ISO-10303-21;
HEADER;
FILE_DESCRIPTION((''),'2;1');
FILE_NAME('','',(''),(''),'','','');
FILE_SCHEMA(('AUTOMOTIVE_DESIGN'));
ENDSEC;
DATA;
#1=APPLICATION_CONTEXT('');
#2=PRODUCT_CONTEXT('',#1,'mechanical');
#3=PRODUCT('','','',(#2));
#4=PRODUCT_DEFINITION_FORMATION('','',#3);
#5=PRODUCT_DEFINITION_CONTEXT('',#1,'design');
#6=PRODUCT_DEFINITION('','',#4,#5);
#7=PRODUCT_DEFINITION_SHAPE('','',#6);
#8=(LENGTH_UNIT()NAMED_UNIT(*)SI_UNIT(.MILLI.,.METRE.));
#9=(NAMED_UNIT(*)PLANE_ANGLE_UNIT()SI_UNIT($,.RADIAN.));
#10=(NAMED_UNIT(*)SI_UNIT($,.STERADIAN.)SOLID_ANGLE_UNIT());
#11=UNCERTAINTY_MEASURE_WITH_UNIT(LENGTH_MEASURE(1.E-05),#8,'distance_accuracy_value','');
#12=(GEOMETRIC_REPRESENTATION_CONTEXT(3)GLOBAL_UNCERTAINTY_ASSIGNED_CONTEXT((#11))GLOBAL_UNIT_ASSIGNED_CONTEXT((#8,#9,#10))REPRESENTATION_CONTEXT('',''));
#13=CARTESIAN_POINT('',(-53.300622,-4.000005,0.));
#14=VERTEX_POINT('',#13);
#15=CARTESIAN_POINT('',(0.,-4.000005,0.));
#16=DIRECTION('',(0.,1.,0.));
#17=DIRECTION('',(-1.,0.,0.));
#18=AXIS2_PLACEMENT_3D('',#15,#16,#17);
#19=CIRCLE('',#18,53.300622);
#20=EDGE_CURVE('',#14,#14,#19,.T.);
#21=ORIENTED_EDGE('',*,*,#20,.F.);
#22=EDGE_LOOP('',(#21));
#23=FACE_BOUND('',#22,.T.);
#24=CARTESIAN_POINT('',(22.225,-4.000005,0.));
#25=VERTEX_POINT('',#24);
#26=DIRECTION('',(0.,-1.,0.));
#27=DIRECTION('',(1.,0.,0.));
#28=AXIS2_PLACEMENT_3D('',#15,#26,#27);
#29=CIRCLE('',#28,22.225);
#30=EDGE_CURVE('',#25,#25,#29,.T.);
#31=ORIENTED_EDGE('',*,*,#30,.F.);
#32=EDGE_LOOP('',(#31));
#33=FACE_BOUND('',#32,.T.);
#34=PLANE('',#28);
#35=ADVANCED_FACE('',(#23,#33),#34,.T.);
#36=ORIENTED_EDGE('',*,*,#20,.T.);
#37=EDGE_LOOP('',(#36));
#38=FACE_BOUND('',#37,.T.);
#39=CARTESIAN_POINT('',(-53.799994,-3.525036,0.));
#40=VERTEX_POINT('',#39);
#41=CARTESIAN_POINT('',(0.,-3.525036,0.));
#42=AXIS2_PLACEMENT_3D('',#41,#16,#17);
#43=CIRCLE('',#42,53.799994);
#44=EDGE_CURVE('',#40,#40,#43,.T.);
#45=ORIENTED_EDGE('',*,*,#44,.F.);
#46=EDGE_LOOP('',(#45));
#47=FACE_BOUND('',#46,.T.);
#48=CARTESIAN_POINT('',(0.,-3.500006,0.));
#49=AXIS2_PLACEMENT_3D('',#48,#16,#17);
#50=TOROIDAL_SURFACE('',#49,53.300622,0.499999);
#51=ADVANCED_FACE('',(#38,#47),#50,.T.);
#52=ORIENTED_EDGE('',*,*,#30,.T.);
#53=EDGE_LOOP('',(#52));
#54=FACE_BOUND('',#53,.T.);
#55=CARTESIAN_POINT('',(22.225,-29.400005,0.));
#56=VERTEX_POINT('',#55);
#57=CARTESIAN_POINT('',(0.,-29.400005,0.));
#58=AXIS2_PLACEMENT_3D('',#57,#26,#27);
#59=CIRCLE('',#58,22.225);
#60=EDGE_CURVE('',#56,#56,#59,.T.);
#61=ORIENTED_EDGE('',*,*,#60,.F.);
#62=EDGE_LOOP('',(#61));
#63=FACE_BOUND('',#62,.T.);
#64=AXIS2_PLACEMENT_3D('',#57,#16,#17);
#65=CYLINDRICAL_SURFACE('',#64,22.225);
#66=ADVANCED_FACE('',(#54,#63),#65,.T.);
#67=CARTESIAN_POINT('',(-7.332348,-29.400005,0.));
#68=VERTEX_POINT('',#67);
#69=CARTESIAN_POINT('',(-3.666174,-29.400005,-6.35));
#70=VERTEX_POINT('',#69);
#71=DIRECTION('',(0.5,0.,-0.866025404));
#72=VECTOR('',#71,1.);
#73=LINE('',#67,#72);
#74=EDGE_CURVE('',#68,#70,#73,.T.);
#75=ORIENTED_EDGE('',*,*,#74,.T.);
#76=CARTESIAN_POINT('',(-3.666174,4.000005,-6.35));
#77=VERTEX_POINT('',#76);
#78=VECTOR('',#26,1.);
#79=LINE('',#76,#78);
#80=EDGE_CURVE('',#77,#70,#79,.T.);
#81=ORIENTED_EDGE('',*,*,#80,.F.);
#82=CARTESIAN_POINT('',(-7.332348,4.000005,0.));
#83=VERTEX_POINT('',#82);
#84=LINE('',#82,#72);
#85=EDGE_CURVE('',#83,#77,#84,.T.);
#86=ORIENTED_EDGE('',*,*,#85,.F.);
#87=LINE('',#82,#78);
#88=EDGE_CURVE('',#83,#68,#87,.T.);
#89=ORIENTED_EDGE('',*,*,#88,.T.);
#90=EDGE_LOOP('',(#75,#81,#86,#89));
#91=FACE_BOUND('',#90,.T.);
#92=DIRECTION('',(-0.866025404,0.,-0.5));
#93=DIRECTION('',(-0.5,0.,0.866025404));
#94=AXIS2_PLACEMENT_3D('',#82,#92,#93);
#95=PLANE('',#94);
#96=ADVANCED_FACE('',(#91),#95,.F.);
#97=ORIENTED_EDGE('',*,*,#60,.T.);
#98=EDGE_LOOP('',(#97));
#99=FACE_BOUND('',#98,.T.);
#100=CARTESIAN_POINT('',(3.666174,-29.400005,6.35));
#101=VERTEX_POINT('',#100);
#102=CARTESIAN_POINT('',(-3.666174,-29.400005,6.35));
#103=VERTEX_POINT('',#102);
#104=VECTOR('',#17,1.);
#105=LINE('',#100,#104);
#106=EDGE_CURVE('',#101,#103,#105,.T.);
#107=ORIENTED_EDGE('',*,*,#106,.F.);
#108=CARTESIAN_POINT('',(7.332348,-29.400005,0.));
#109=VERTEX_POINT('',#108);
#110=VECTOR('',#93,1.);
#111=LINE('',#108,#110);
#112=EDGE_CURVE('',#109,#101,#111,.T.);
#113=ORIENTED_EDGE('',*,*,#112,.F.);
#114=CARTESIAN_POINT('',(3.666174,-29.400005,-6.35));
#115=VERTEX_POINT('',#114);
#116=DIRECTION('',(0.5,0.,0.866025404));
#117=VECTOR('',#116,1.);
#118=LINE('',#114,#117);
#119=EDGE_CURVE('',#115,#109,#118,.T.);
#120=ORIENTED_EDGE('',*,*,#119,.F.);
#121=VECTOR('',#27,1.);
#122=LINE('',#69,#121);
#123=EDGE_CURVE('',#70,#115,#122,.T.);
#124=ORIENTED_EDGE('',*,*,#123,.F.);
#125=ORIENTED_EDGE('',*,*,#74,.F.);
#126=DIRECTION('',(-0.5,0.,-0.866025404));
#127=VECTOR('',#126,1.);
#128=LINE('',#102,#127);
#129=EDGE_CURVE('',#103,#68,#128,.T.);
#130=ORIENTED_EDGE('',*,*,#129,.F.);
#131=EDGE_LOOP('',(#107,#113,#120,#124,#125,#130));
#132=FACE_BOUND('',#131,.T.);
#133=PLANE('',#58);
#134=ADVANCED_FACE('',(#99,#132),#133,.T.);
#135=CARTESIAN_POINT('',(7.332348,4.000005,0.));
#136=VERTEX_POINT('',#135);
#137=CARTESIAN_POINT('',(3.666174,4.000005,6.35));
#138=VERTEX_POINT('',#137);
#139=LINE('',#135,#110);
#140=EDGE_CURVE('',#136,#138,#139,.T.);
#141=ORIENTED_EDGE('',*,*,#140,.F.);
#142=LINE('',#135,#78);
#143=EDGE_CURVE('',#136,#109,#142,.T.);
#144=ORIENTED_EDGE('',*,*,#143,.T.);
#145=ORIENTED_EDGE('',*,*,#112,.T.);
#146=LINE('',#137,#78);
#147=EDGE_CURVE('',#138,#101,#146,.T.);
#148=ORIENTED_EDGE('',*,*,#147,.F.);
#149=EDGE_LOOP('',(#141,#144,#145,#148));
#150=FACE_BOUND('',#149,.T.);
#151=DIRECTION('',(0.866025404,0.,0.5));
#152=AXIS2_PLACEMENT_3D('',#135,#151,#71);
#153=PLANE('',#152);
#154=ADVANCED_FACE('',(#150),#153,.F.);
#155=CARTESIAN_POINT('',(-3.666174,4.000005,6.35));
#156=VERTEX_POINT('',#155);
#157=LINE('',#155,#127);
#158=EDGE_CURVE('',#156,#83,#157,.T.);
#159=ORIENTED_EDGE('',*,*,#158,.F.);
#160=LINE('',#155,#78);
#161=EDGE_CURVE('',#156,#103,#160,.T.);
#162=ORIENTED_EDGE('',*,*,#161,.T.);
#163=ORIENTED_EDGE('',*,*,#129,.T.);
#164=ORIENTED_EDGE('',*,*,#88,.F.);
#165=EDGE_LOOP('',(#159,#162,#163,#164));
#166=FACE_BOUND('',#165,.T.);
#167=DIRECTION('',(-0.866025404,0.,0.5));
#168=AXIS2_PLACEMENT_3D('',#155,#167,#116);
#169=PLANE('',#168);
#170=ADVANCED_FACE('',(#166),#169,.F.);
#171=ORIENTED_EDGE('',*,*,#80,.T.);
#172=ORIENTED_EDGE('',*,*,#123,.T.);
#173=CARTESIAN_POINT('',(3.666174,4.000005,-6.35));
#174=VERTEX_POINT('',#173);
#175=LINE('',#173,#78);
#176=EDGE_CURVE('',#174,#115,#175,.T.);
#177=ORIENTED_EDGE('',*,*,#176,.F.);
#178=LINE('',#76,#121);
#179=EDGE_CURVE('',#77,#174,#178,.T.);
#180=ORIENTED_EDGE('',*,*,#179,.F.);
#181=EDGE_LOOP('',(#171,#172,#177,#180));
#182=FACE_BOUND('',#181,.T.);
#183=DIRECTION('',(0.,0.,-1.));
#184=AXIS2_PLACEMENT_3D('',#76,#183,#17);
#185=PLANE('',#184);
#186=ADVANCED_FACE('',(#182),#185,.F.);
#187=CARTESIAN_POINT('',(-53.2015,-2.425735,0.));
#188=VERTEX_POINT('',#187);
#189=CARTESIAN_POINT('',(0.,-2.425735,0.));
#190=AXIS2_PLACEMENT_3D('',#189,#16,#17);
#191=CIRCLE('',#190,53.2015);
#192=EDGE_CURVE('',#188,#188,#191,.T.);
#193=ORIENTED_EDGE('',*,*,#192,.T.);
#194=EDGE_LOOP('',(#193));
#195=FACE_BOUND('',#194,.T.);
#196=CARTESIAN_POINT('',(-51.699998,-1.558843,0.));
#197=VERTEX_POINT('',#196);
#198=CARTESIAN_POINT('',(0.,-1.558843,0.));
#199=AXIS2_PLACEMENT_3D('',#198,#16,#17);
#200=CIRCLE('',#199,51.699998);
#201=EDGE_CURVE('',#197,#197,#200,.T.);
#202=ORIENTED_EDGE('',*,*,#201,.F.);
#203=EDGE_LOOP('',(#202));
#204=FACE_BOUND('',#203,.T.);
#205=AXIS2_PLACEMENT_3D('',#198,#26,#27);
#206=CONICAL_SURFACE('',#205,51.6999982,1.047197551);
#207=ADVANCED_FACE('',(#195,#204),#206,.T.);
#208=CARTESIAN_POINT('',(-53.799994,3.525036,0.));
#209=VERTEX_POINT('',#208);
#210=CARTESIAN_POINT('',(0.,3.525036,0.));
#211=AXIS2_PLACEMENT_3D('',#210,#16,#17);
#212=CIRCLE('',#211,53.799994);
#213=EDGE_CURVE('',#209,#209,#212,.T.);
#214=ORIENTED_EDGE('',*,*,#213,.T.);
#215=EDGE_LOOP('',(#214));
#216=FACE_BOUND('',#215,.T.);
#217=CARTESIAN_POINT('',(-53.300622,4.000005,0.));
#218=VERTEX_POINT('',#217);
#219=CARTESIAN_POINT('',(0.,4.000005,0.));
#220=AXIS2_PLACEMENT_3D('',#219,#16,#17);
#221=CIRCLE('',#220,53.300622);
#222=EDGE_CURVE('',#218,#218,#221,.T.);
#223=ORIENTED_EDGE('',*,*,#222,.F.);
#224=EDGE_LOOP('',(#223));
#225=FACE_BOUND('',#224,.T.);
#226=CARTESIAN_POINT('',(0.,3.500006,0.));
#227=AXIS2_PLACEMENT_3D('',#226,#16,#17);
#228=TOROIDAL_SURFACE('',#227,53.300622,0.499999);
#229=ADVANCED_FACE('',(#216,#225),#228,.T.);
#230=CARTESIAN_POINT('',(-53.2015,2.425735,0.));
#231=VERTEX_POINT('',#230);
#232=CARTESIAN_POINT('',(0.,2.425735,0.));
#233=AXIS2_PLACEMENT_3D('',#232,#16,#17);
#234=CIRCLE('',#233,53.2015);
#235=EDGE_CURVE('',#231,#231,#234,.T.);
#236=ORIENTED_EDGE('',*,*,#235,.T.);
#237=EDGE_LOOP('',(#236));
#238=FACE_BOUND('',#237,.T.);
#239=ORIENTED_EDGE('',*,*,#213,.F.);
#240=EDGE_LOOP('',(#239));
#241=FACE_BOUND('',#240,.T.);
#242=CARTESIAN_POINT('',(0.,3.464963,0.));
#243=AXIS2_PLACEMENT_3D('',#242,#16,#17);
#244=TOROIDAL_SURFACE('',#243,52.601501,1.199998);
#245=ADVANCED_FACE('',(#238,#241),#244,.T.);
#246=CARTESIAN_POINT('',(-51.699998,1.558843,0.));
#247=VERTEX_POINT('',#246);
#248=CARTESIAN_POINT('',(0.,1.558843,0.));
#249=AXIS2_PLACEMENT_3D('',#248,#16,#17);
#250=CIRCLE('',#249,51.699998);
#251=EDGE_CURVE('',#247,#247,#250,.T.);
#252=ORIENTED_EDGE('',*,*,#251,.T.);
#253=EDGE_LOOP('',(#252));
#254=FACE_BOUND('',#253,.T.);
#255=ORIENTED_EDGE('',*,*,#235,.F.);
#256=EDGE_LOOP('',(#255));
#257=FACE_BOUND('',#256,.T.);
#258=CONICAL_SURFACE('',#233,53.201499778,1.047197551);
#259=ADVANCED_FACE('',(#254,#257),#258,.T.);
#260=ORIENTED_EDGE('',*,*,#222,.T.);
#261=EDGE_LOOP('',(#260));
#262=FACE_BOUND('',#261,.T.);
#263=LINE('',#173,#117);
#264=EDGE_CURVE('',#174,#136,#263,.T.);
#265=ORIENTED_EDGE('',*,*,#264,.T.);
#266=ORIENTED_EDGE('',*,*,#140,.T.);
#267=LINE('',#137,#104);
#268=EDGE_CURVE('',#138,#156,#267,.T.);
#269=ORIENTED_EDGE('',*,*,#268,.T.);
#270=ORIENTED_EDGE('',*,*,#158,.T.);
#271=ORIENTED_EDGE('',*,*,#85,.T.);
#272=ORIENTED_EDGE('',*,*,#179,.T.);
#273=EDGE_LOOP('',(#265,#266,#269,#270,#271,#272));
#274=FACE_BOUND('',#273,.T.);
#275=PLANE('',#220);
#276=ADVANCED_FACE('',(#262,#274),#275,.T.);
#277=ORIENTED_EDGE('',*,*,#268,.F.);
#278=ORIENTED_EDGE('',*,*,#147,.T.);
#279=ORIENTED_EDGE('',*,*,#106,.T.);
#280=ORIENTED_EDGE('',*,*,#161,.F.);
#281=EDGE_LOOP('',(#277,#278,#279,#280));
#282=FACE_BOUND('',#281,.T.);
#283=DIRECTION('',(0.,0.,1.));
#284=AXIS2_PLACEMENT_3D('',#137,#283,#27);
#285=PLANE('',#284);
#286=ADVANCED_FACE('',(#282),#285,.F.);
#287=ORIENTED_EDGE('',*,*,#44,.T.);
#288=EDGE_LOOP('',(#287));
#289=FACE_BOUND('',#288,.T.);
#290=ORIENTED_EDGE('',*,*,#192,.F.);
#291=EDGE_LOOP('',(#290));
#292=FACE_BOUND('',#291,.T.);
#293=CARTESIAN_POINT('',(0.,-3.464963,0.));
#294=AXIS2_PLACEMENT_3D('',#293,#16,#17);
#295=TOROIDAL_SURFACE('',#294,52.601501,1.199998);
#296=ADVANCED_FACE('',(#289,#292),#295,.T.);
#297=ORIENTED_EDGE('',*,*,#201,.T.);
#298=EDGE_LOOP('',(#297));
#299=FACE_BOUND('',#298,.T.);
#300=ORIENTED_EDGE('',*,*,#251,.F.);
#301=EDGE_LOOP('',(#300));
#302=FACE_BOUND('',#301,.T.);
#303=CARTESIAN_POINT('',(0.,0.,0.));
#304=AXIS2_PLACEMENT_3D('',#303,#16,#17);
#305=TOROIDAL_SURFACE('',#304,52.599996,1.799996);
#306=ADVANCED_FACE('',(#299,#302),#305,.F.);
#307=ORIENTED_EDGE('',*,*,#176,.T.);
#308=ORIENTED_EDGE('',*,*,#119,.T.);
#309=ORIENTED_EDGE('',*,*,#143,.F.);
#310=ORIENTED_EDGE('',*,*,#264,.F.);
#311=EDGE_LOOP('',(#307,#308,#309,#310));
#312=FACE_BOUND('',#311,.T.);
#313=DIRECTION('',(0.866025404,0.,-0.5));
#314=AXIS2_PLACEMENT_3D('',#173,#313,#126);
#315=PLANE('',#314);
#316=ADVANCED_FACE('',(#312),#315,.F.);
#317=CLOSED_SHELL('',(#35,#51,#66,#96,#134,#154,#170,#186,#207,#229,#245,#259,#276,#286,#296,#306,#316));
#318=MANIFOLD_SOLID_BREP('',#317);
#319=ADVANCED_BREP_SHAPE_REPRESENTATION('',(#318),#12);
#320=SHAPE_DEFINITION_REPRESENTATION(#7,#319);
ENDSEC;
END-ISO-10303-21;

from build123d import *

# Parameters (mm, degrees)
CUT_EXTRUDE2_DEPTH  = 9.0000094
SKETCH3_R           = 22.225
BOSS_EXTRUDE1_DEPTH = 25.4


with BuildPart() as part:
    # Sketch1 → Revolve1 (revolve)
    with BuildSketch(Plane(origin=(0, 0, 0), x_dir=(0, 1, 0), z_dir=(0, 0, 1))):
        with BuildLine():
            Line((4.0000047, 0), (-4.0000047, 0))
            Line((-4.0000047, 0), (-4.0000047, 53.300621907))
            ThreePointArc((-4.0000047, 53.300621907), (-3.862299847, 53.645211447), (-3.525035946, 53.799994))
            ThreePointArc((-3.525035946, 53.799994), (-2.891173009, 53.65542644), (-2.425734949, 53.201499778))
            Line((-2.425734949, 53.201499778), (-1.558842609, 51.6999982))
            ThreePointArc((-1.558842609, 51.6999982), (0, 50.8), (1.558842609, 51.6999982))
            Line((1.558842609, 51.6999982), (2.425734949, 53.201499778))
            ThreePointArc((2.425734949, 53.201499778), (2.891173009, 53.65542644), (3.525035946, 53.799994))
            ThreePointArc((3.525035946, 53.799994), (3.862299847, 53.645211447), (4.0000047, 53.300621907))
            Line((4.0000047, 53.300621907), (4.0000047, 0))
        make_face()
    revolve(axis=Axis((0, 4.0000047, 0), (0, -1, 0)))

    # Sketch2 → Cut-Extrude2 (cut, through all)
    with BuildSketch(Plane.XZ.offset(4.0000047)):
        Polygon((7.332348419, 0), (3.666174209, 6.35), (-3.666174209, 6.35), (-7.332348419, 0), (-3.666174209, -6.35), (3.666174209, -6.35), align=None)
    extrude(amount=-CUT_EXTRUDE2_DEPTH, mode=Mode.SUBTRACT)

    # Sketch3 → Boss-Extrude1 (add)
    with BuildSketch(Plane.XZ.offset(4.0000047)):
        Circle(SKETCH3_R)
        Polygon((-3.666174209, 6.35), (-7.332348419, 0), (-3.666174209, -6.35), (3.666174209, -6.35), (7.332348419, 0), (3.666174209, 6.35), align=None, mode=Mode.SUBTRACT)
    extrude(amount=BOSS_EXTRUDE1_DEPTH)


solid = part.part
